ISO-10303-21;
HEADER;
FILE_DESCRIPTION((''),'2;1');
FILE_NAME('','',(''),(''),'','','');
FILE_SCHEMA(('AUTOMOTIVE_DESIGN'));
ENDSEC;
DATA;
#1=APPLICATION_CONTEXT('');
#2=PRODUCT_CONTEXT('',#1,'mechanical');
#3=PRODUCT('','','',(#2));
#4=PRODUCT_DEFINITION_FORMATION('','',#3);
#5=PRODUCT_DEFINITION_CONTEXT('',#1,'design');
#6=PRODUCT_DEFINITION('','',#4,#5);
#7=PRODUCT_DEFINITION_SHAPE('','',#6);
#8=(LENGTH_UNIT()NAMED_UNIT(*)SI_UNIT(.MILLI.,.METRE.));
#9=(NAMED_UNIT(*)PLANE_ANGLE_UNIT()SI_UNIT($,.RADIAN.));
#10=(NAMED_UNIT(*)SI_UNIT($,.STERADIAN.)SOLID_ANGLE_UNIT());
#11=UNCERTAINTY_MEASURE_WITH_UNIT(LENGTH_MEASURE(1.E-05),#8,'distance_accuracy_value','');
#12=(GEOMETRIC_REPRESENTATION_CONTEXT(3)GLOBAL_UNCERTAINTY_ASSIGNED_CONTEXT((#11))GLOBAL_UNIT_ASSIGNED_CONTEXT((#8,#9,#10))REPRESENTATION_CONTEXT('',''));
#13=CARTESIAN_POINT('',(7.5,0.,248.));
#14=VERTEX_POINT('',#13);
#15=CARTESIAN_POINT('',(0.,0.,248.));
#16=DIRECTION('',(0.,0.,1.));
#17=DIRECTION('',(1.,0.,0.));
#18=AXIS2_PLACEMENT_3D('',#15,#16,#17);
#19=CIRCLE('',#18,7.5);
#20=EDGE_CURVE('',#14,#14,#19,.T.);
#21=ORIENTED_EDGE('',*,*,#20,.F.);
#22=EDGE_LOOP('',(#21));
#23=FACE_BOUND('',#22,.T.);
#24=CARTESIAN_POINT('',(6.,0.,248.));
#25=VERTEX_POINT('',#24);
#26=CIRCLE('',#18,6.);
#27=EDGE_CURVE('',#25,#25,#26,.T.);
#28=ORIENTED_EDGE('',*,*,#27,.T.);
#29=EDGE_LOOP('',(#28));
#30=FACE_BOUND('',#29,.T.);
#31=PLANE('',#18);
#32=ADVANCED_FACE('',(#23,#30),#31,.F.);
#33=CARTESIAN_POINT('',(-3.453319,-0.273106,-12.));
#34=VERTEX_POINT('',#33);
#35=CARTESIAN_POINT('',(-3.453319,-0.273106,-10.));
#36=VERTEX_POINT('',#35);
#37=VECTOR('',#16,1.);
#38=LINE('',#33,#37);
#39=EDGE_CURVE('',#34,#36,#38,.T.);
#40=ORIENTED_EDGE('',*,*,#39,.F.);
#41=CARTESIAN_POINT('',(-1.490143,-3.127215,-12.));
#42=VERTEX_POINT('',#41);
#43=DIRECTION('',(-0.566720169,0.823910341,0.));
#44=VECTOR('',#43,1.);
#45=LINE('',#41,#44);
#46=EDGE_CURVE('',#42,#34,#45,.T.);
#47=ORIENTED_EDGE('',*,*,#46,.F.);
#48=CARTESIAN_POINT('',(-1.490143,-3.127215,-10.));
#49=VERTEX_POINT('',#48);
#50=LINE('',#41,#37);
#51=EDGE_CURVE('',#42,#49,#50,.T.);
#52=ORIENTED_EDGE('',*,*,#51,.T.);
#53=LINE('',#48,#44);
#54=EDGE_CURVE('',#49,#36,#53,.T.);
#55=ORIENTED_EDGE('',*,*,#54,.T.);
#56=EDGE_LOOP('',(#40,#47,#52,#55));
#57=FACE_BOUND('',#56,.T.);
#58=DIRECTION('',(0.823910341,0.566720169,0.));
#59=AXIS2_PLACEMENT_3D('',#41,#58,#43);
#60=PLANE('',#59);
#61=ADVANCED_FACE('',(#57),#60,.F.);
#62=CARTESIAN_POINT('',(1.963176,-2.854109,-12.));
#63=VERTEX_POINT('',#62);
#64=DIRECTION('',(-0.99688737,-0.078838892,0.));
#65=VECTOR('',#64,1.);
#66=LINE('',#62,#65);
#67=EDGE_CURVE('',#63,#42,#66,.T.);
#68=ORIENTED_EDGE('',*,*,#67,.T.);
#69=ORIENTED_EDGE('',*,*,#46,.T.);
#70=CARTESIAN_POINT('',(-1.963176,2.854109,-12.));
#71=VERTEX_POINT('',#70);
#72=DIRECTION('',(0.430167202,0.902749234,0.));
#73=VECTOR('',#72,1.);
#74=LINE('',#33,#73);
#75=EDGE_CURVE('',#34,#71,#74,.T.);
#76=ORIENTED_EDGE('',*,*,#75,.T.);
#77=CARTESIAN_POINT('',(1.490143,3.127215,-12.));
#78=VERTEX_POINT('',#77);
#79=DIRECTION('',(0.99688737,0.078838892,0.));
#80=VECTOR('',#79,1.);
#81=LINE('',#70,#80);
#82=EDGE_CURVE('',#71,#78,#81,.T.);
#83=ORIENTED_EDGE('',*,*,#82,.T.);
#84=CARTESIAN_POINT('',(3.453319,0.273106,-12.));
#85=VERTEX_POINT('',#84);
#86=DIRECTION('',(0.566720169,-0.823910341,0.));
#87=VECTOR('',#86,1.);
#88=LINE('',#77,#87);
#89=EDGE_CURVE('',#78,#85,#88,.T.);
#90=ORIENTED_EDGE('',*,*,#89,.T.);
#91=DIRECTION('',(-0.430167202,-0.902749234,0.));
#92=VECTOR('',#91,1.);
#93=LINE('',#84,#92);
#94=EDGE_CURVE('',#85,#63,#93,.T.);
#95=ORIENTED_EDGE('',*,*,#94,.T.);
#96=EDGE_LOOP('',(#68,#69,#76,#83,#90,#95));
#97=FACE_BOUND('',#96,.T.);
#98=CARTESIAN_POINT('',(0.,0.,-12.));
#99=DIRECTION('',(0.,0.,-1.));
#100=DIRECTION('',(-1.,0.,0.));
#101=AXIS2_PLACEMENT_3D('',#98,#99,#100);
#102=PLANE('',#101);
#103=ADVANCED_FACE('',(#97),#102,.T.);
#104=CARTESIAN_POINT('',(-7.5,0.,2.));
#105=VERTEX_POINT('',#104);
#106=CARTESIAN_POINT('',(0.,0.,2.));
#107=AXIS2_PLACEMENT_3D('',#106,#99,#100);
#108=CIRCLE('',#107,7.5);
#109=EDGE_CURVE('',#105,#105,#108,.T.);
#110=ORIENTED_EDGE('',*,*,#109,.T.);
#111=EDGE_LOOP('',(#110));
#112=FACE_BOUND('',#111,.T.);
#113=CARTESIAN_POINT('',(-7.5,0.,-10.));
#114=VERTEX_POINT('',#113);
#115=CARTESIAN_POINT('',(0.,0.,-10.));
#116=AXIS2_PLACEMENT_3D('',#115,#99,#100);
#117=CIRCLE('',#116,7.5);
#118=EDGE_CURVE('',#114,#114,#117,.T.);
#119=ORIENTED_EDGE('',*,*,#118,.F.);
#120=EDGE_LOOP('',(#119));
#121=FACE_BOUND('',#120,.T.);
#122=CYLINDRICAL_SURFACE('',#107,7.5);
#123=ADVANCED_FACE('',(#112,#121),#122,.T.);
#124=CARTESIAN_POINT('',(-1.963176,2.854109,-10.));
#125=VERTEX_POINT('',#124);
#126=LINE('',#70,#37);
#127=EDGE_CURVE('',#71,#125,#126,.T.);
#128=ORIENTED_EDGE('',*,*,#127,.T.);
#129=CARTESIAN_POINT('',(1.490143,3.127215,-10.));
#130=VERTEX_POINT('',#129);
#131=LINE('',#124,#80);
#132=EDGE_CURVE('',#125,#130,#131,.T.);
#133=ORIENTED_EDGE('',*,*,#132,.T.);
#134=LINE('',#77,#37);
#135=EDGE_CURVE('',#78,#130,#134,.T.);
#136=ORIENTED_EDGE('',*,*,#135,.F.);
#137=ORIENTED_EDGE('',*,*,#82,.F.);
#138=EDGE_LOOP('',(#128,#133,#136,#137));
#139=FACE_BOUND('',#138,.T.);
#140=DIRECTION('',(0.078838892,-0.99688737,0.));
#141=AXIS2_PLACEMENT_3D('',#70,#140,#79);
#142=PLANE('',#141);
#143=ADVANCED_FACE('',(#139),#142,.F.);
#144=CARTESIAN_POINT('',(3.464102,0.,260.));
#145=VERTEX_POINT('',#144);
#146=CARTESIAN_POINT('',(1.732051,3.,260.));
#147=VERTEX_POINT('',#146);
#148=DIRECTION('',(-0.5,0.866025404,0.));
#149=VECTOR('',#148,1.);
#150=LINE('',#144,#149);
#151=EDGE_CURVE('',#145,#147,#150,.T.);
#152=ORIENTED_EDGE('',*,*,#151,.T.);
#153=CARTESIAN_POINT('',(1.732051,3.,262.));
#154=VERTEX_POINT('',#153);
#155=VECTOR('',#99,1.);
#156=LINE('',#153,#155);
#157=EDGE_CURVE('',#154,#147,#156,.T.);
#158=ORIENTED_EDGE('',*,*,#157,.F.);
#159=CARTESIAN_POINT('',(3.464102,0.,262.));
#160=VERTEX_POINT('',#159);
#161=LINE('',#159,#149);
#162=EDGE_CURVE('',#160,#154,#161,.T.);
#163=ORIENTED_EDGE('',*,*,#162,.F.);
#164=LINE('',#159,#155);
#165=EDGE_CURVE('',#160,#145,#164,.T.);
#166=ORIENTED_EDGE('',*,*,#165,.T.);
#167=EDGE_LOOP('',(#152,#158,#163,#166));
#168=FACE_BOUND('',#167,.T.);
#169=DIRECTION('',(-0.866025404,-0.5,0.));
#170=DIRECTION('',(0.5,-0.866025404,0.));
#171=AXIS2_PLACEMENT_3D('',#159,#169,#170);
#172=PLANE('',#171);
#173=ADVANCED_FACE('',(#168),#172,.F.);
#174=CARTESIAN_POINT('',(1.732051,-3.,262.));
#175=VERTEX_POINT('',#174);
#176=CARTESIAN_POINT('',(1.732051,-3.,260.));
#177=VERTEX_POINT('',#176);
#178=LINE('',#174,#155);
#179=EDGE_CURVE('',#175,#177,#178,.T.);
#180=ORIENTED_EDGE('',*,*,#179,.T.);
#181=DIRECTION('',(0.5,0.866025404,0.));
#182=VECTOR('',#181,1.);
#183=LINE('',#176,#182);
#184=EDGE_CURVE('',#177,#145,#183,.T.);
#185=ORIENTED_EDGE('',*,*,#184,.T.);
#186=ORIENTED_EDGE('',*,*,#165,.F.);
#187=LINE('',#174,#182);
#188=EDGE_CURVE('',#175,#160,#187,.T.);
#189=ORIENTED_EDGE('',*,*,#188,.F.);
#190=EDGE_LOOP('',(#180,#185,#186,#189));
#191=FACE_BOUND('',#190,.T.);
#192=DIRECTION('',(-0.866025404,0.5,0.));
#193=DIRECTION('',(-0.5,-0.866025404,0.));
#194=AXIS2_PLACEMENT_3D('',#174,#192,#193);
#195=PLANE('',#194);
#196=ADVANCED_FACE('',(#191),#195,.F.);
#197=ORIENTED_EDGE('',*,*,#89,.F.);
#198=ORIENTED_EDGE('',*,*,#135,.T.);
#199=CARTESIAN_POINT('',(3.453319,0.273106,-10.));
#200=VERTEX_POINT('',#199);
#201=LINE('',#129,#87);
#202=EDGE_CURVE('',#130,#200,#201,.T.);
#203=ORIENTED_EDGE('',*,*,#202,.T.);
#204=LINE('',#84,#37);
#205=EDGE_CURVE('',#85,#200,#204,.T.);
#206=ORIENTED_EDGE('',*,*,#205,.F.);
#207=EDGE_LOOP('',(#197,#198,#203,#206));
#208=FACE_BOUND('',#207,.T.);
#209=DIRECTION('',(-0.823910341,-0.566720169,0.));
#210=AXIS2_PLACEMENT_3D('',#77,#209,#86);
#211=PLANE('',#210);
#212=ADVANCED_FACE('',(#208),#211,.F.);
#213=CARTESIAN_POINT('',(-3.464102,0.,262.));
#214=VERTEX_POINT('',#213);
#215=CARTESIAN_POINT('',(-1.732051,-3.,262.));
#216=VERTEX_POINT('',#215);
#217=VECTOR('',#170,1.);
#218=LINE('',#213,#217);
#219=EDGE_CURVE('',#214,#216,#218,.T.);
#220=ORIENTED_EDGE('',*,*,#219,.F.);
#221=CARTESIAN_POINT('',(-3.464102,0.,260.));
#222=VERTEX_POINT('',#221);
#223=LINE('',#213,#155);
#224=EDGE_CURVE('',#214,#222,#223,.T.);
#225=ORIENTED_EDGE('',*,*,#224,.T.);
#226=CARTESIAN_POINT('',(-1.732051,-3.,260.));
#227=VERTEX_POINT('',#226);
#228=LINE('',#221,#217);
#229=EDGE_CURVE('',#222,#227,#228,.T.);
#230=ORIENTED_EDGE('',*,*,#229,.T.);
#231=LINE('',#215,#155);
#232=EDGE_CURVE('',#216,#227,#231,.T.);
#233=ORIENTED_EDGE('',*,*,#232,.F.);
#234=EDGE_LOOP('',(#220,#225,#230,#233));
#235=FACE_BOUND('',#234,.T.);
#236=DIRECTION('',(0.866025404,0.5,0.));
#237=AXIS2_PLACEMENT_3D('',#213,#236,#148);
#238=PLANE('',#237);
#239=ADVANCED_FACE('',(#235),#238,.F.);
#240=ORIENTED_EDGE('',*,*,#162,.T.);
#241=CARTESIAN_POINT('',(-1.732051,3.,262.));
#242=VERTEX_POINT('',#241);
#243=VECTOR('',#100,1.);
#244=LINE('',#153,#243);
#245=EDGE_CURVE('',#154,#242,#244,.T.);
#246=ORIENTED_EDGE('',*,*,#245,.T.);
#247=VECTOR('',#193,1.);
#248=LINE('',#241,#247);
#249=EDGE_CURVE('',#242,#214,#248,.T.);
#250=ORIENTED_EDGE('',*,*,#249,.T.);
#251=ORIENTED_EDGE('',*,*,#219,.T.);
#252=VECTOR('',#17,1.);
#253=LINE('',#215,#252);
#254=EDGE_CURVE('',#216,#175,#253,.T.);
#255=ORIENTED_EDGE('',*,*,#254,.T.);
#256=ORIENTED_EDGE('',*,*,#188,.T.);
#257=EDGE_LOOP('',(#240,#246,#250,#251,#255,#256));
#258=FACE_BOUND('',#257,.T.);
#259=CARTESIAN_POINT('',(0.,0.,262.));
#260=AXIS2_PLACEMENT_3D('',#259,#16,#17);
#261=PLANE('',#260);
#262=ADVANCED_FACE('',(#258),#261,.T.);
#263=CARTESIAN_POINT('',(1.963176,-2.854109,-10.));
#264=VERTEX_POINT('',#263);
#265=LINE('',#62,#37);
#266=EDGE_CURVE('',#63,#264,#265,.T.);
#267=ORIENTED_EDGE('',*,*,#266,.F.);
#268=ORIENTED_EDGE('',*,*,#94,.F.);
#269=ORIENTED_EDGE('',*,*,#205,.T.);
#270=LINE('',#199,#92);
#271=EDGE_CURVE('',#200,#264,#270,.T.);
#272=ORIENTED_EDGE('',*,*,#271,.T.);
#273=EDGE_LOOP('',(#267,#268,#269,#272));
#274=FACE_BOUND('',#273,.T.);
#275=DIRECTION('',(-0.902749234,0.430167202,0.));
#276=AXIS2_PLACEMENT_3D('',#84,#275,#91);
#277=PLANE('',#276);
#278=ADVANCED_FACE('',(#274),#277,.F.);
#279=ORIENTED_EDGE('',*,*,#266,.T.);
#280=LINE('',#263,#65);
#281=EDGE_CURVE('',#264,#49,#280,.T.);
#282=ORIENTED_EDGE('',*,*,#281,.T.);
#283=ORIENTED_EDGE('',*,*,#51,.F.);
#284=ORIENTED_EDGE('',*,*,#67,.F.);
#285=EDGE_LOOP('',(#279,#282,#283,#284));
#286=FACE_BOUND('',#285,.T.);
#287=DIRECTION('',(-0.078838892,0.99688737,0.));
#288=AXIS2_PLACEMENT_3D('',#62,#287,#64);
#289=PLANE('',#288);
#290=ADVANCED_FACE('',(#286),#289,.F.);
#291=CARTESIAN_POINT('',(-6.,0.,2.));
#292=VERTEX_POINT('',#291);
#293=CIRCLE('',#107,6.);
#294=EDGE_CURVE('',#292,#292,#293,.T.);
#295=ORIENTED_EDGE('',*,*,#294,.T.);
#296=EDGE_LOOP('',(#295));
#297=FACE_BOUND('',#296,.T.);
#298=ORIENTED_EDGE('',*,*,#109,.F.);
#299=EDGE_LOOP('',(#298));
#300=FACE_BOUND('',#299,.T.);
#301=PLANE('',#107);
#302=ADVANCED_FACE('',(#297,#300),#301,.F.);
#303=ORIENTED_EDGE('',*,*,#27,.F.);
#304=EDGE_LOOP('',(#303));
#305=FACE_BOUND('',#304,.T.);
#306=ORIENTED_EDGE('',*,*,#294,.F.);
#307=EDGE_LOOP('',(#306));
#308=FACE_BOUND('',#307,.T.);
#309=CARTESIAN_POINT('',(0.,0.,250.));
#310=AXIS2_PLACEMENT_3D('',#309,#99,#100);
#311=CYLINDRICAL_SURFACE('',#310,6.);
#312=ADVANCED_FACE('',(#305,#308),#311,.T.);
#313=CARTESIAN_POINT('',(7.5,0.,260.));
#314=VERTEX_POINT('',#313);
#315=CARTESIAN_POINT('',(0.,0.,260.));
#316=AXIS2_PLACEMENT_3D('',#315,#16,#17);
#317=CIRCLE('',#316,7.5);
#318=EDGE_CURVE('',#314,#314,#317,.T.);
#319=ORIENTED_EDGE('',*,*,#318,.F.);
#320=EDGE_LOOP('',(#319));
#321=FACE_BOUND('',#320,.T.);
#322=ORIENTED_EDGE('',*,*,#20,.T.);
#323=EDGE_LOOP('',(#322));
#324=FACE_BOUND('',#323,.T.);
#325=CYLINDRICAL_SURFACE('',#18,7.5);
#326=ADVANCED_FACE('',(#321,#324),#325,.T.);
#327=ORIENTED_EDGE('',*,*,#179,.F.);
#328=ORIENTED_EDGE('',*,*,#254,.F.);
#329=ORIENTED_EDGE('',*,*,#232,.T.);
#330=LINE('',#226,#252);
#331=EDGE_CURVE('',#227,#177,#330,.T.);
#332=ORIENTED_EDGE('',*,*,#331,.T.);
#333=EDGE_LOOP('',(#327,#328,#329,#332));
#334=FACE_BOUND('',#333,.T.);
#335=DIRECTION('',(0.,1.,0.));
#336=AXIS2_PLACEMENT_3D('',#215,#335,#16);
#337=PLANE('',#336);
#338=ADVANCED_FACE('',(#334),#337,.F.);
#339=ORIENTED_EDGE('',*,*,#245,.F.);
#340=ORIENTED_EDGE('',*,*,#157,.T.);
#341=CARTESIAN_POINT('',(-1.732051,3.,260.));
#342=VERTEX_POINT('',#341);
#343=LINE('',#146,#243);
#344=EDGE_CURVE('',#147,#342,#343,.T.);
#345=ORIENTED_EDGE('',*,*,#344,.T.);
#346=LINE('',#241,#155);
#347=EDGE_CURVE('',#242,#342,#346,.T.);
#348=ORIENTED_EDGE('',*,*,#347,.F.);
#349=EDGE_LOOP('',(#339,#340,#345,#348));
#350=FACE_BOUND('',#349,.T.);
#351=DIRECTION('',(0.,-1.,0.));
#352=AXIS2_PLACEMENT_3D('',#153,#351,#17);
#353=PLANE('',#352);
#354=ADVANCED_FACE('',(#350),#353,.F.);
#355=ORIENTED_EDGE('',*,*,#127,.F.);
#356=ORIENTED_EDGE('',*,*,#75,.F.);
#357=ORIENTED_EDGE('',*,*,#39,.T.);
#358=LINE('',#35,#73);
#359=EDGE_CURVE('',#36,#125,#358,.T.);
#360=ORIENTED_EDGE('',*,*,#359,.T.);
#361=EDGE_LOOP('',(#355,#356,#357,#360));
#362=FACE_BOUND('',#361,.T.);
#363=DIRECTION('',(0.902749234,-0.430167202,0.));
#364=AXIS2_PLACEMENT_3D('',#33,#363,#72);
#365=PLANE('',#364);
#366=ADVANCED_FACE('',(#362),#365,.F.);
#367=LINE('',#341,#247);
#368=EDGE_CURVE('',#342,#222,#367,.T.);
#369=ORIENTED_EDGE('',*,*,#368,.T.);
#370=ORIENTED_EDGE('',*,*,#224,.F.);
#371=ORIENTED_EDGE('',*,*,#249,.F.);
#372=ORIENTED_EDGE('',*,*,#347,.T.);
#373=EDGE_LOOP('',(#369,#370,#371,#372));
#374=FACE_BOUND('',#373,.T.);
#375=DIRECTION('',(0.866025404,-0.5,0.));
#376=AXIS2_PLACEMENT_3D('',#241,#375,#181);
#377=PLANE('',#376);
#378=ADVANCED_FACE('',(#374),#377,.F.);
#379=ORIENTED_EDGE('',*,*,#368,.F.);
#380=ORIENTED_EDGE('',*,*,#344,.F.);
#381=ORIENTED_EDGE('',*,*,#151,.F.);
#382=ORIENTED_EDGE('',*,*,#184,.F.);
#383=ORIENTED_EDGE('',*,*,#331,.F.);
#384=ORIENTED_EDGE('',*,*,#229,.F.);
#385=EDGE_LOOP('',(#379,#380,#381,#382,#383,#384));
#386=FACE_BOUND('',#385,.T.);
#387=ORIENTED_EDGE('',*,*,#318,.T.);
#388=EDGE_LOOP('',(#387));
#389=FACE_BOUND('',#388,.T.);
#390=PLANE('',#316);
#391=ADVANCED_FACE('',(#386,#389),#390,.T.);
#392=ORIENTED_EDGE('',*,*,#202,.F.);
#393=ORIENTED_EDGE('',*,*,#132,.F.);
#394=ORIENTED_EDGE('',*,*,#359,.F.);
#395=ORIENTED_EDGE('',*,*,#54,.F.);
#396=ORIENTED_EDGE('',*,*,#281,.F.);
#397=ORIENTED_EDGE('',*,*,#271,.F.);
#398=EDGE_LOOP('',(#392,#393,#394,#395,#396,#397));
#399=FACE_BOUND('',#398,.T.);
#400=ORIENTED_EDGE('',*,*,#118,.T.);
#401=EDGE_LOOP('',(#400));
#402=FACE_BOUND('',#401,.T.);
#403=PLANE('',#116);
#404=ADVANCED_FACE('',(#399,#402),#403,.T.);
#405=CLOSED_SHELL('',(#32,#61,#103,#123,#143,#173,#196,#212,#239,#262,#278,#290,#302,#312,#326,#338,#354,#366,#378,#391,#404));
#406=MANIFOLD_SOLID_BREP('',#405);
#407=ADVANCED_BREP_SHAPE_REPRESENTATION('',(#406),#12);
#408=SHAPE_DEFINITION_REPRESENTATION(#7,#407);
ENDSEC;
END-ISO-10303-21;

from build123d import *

# Parameters (mm, degrees)
CROQUIS1_R                   = 6
SALIENTE_EXTRUIR1_DEPTH      = 250
SALIENTE_EXTRUIR2_DEPTH      = 10
SALIENTE_EXTRUIR2_DEPTH_BACK = 2
CROQUIS2_R                   = 7.5
SALIENTE_EXTRUIR3_DEPTH      = 10
SALIENTE_EXTRUIR3_DEPTH_BACK = 2
CROQUIS3_R                   = 7.5
SALIENTE_EXTRUIR4_DEPTH      = 2
SALIENTE_EXTRUIR5_DEPTH      = 2


with BuildPart() as part:
    # Croquis1 → Saliente-Extruir1 (new body)
    with BuildSketch(Plane.XY):
        Circle(CROQUIS1_R)
    extrude(amount=SALIENTE_EXTRUIR1_DEPTH)

    # Croquis2 → Saliente-Extruir2 (add, two sides: drawn at the far end of the back side and taken through both)
    with BuildSketch(Plane.XY.offset(250).offset(-SALIENTE_EXTRUIR2_DEPTH_BACK)):
        Circle(CROQUIS2_R)
    extrude(amount=SALIENTE_EXTRUIR2_DEPTH + SALIENTE_EXTRUIR2_DEPTH_BACK)

    # Croquis3 → Saliente-Extruir3 (add, two sides: drawn at the far end of the back side and taken through both)
    with BuildSketch(Plane(origin=(0, 0, 0), x_dir=(-1, 0, 0), z_dir=(0, 0, -1)).offset(-SALIENTE_EXTRUIR3_DEPTH_BACK)):
        with Locations(Location((0, 0, 0), (0, 0, 180))):
            Circle(CROQUIS3_R)
    extrude(amount=SALIENTE_EXTRUIR3_DEPTH + SALIENTE_EXTRUIR3_DEPTH_BACK)

    # Croquis4 → Saliente-Extruir4 (add)
    with BuildSketch(Plane.XY.offset(260)):
        Polygon((3.464101615, 0), (1.732050808, 3), (-1.732050808, 3), (-3.464101615, 0), (-1.732050808, -3), (1.732050808, -3), align=None)
    extrude(amount=SALIENTE_EXTRUIR4_DEPTH)

    # Croquis5 → Saliente-Extruir5 (add)
    with BuildSketch(Plane(origin=(0, 0, -10), x_dir=(-1, 0, 0), z_dir=(0, 0, -1))):
        Polygon((1.963176251, 2.854109144), (-1.490142898, 3.127215078), (-3.45331915, 0.273105934), (-1.963176251, -2.854109144), (1.490142898, -3.127215078), (3.45331915, -0.273105934), align=None)
    extrude(amount=SALIENTE_EXTRUIR5_DEPTH)


solid = part.part
